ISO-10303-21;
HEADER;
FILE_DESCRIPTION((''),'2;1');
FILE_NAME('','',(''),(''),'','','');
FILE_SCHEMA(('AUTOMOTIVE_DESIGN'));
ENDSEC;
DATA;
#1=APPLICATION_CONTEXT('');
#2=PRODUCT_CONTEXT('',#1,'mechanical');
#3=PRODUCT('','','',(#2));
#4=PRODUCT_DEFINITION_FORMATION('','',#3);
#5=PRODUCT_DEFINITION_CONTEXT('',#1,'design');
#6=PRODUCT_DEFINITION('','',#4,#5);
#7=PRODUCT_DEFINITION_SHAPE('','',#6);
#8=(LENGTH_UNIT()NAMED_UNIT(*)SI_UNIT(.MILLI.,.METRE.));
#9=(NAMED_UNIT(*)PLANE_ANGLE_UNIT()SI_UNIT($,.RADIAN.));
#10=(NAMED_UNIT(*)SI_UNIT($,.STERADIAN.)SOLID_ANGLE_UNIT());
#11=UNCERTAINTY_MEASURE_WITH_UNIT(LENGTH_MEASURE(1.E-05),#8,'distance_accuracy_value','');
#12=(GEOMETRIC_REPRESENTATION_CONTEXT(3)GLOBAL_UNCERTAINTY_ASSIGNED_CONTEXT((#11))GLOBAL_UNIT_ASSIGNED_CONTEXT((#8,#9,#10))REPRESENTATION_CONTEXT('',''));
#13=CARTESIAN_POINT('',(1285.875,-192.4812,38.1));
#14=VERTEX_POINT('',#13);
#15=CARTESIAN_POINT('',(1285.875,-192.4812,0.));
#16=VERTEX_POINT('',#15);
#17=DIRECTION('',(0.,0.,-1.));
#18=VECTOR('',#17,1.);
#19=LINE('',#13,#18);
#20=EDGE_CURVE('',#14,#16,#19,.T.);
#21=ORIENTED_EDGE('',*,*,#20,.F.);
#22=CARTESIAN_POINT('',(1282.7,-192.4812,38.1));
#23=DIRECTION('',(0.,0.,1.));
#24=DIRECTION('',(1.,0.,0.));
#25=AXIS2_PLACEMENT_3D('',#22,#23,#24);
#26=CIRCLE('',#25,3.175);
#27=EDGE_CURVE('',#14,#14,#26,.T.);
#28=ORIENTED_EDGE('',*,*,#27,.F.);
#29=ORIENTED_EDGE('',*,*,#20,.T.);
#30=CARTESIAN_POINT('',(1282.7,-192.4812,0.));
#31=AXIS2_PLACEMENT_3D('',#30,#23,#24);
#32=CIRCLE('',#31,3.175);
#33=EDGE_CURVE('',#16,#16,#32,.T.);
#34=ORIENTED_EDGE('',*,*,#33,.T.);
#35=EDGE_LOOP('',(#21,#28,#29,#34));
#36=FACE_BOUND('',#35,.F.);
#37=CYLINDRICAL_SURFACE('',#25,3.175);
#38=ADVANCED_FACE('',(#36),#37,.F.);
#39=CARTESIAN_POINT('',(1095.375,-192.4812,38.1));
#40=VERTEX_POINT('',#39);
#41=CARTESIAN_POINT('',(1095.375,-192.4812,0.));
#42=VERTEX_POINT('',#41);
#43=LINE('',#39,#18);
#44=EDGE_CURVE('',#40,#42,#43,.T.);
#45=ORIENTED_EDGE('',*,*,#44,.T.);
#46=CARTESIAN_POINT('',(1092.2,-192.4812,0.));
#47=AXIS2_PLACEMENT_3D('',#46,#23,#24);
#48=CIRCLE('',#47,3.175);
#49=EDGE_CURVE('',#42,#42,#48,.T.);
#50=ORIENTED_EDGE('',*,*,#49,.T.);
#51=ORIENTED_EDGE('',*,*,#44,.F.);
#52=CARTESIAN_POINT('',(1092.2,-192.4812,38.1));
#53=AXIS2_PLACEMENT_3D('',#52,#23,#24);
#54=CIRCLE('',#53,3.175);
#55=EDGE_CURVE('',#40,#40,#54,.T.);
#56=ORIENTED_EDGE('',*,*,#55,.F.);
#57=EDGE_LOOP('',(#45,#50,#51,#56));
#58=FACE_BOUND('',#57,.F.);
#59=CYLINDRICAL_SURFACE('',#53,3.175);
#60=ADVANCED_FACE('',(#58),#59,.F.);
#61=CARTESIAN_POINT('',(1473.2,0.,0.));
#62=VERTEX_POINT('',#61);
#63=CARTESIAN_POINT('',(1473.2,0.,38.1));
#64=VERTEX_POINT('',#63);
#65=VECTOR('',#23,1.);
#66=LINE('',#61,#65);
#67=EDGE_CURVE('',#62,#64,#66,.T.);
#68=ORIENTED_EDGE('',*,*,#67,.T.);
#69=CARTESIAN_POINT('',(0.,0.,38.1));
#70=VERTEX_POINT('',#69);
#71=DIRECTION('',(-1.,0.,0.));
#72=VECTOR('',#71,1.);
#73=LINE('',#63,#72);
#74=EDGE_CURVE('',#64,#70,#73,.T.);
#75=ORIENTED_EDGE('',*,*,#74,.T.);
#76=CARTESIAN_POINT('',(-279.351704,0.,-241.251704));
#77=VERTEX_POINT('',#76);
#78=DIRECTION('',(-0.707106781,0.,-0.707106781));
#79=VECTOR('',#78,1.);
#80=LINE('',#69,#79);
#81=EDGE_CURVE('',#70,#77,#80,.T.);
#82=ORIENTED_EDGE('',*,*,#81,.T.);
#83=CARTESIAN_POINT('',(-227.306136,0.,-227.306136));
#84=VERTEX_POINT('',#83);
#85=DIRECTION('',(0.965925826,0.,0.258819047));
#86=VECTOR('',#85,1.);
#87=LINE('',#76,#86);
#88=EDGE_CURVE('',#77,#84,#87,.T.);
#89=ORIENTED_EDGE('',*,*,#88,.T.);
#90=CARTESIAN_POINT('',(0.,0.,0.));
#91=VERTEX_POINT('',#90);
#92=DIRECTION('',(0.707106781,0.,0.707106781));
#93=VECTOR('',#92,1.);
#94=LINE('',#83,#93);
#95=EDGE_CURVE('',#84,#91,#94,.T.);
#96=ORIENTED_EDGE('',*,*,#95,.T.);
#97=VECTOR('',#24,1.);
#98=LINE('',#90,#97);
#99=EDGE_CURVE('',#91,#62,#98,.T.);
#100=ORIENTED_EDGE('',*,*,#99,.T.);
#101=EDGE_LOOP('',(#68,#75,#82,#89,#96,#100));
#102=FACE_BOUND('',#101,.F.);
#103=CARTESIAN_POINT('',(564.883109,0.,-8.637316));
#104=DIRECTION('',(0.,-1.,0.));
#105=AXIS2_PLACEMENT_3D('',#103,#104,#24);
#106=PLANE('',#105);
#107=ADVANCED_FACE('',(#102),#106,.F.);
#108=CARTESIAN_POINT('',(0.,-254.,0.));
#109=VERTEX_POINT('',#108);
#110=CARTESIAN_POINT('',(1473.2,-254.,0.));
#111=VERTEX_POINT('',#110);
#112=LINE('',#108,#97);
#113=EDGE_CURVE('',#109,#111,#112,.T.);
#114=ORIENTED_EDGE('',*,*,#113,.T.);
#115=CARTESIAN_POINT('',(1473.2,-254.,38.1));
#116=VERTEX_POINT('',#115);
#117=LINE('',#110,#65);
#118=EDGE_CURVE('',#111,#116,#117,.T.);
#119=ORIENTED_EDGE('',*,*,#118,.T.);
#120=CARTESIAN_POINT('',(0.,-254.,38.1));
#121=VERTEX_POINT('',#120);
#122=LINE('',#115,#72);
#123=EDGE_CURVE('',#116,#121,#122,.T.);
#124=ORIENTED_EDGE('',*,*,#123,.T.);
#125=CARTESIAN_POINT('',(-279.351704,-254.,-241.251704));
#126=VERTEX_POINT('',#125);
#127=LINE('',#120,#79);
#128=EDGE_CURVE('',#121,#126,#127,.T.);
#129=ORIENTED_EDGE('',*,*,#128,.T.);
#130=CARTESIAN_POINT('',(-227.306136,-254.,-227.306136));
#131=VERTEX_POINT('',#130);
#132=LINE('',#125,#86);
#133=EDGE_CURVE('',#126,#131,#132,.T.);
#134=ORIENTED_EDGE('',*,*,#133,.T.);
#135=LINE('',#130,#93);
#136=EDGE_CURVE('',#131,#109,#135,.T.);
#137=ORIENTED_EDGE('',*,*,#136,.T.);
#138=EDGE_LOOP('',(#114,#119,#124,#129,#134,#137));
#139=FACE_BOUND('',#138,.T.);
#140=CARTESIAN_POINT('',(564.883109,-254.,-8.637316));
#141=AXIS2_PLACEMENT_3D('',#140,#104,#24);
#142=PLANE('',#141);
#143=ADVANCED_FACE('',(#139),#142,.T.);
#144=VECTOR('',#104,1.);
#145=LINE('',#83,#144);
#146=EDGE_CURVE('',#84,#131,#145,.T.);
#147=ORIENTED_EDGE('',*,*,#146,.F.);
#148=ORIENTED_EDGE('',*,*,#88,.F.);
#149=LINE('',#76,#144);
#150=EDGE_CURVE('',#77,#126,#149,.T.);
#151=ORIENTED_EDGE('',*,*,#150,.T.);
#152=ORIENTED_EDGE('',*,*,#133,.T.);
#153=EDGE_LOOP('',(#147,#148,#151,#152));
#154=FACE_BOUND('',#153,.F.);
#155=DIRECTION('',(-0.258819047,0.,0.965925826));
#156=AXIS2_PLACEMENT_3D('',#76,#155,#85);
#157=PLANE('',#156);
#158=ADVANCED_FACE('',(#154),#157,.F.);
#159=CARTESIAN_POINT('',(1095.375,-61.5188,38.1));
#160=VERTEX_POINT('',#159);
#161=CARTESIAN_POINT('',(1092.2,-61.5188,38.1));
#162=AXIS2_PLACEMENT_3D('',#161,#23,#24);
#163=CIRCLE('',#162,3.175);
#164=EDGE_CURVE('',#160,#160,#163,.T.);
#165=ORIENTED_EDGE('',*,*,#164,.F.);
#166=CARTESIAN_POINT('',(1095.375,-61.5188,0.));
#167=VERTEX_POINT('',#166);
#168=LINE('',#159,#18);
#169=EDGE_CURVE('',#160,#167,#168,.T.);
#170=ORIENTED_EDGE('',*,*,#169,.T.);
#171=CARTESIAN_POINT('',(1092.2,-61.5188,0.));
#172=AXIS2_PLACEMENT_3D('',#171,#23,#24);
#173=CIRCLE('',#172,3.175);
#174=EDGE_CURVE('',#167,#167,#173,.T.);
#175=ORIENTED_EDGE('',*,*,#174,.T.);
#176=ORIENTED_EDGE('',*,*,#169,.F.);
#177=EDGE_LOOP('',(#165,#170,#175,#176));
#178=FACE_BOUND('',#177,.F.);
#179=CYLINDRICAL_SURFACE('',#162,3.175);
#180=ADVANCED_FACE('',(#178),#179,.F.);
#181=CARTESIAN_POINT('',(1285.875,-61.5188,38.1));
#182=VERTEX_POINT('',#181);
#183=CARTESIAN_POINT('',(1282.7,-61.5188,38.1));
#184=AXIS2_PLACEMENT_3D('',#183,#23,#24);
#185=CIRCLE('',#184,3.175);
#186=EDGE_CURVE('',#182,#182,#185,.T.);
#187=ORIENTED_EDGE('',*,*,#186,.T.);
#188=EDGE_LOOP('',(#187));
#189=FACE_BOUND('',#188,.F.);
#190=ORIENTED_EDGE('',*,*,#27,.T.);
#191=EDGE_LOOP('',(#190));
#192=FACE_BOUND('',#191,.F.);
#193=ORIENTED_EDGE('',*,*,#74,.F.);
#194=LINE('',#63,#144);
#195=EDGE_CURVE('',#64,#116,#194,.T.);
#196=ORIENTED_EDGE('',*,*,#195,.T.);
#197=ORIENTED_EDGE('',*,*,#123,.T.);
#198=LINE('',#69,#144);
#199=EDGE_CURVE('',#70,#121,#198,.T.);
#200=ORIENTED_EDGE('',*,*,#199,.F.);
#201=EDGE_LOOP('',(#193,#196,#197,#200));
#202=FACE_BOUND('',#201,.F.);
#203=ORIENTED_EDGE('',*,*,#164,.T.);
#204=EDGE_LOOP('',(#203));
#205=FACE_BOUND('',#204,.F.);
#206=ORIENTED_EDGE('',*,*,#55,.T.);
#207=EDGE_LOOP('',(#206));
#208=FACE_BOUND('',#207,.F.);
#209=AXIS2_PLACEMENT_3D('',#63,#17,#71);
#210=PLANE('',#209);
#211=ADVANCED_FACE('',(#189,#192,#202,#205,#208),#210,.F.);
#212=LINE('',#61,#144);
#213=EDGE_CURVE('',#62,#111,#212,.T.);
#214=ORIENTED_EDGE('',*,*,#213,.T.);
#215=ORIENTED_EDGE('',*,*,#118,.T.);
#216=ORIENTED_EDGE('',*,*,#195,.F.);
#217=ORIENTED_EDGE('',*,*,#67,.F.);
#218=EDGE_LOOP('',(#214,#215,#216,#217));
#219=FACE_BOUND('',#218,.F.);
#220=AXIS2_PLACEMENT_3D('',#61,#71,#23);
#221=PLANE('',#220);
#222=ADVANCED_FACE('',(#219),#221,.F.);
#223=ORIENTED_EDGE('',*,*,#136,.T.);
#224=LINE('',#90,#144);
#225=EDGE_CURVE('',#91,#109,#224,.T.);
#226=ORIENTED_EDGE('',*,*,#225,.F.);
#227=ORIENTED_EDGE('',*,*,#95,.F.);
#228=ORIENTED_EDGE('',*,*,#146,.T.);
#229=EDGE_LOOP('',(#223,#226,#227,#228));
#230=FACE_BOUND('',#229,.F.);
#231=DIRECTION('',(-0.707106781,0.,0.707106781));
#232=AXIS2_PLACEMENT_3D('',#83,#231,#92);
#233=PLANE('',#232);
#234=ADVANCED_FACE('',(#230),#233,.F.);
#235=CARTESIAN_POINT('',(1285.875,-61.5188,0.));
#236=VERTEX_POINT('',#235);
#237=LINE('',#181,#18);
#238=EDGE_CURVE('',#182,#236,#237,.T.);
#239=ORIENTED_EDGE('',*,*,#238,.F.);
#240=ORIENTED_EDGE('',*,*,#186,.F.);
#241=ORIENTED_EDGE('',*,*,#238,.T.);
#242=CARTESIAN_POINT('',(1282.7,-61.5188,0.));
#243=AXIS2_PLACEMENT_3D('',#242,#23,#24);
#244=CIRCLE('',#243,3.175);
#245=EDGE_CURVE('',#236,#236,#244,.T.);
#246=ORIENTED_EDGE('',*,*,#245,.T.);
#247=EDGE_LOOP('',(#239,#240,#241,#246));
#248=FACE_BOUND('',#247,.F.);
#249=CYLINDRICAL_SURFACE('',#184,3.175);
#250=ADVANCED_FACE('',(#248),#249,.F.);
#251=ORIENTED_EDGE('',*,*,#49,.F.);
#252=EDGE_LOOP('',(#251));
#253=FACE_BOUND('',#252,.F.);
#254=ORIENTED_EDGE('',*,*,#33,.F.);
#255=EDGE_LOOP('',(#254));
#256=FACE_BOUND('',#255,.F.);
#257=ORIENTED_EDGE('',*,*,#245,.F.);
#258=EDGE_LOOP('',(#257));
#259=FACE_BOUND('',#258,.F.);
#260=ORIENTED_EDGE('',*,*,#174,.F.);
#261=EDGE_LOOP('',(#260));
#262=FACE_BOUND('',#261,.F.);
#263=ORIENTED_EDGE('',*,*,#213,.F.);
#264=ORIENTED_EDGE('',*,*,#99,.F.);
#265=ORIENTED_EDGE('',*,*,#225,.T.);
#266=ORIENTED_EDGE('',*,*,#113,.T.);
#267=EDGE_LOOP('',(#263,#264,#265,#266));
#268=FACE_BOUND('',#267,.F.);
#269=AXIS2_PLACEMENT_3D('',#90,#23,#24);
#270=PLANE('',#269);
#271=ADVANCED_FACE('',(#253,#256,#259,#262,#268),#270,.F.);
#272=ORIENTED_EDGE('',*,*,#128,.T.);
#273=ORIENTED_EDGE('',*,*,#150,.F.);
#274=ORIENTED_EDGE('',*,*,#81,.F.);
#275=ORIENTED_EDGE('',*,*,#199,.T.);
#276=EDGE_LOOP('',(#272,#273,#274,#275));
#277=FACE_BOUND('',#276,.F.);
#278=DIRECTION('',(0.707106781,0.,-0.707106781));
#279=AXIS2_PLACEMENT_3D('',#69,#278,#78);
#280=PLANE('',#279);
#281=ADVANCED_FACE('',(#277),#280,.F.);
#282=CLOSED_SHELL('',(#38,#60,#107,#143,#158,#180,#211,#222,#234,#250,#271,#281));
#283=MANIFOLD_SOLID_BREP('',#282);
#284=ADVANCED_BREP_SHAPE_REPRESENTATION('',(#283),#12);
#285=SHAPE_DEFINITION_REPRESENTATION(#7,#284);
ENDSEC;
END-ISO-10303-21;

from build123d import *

# Parameters (mm, degrees)
F1_DEPTH = 254
F2_R     = 3.175
F3_DEPTH = 38.1


with BuildPart() as f1:
    # F0 (on Front) → F1 (new body)
    with BuildSketch(Plane.XZ):
        Polygon((-227.306136, -227.306136), (0, 0), (1473.2, 0), (1473.2, 38.1), (0, 38.1), (-279.351704, -241.251704), align=None)
    extrude(amount=F1_DEPTH)

    # F2 (on face) → F3 (cut)
    with BuildSketch(Plane.XY.offset(38.1)):
        with Locations((1092.2, -61.5188)):
            Circle(F2_R)
        with Locations((1092.2, -192.4812)):
            Circle(F2_R)
        with Locations((1282.7, -61.5188)):
            Circle(F2_R)
        with Locations((1282.7, -192.4812)):
            Circle(F2_R)
    extrude(amount=-F3_DEPTH, mode=Mode.SUBTRACT)


solid = f1.part
